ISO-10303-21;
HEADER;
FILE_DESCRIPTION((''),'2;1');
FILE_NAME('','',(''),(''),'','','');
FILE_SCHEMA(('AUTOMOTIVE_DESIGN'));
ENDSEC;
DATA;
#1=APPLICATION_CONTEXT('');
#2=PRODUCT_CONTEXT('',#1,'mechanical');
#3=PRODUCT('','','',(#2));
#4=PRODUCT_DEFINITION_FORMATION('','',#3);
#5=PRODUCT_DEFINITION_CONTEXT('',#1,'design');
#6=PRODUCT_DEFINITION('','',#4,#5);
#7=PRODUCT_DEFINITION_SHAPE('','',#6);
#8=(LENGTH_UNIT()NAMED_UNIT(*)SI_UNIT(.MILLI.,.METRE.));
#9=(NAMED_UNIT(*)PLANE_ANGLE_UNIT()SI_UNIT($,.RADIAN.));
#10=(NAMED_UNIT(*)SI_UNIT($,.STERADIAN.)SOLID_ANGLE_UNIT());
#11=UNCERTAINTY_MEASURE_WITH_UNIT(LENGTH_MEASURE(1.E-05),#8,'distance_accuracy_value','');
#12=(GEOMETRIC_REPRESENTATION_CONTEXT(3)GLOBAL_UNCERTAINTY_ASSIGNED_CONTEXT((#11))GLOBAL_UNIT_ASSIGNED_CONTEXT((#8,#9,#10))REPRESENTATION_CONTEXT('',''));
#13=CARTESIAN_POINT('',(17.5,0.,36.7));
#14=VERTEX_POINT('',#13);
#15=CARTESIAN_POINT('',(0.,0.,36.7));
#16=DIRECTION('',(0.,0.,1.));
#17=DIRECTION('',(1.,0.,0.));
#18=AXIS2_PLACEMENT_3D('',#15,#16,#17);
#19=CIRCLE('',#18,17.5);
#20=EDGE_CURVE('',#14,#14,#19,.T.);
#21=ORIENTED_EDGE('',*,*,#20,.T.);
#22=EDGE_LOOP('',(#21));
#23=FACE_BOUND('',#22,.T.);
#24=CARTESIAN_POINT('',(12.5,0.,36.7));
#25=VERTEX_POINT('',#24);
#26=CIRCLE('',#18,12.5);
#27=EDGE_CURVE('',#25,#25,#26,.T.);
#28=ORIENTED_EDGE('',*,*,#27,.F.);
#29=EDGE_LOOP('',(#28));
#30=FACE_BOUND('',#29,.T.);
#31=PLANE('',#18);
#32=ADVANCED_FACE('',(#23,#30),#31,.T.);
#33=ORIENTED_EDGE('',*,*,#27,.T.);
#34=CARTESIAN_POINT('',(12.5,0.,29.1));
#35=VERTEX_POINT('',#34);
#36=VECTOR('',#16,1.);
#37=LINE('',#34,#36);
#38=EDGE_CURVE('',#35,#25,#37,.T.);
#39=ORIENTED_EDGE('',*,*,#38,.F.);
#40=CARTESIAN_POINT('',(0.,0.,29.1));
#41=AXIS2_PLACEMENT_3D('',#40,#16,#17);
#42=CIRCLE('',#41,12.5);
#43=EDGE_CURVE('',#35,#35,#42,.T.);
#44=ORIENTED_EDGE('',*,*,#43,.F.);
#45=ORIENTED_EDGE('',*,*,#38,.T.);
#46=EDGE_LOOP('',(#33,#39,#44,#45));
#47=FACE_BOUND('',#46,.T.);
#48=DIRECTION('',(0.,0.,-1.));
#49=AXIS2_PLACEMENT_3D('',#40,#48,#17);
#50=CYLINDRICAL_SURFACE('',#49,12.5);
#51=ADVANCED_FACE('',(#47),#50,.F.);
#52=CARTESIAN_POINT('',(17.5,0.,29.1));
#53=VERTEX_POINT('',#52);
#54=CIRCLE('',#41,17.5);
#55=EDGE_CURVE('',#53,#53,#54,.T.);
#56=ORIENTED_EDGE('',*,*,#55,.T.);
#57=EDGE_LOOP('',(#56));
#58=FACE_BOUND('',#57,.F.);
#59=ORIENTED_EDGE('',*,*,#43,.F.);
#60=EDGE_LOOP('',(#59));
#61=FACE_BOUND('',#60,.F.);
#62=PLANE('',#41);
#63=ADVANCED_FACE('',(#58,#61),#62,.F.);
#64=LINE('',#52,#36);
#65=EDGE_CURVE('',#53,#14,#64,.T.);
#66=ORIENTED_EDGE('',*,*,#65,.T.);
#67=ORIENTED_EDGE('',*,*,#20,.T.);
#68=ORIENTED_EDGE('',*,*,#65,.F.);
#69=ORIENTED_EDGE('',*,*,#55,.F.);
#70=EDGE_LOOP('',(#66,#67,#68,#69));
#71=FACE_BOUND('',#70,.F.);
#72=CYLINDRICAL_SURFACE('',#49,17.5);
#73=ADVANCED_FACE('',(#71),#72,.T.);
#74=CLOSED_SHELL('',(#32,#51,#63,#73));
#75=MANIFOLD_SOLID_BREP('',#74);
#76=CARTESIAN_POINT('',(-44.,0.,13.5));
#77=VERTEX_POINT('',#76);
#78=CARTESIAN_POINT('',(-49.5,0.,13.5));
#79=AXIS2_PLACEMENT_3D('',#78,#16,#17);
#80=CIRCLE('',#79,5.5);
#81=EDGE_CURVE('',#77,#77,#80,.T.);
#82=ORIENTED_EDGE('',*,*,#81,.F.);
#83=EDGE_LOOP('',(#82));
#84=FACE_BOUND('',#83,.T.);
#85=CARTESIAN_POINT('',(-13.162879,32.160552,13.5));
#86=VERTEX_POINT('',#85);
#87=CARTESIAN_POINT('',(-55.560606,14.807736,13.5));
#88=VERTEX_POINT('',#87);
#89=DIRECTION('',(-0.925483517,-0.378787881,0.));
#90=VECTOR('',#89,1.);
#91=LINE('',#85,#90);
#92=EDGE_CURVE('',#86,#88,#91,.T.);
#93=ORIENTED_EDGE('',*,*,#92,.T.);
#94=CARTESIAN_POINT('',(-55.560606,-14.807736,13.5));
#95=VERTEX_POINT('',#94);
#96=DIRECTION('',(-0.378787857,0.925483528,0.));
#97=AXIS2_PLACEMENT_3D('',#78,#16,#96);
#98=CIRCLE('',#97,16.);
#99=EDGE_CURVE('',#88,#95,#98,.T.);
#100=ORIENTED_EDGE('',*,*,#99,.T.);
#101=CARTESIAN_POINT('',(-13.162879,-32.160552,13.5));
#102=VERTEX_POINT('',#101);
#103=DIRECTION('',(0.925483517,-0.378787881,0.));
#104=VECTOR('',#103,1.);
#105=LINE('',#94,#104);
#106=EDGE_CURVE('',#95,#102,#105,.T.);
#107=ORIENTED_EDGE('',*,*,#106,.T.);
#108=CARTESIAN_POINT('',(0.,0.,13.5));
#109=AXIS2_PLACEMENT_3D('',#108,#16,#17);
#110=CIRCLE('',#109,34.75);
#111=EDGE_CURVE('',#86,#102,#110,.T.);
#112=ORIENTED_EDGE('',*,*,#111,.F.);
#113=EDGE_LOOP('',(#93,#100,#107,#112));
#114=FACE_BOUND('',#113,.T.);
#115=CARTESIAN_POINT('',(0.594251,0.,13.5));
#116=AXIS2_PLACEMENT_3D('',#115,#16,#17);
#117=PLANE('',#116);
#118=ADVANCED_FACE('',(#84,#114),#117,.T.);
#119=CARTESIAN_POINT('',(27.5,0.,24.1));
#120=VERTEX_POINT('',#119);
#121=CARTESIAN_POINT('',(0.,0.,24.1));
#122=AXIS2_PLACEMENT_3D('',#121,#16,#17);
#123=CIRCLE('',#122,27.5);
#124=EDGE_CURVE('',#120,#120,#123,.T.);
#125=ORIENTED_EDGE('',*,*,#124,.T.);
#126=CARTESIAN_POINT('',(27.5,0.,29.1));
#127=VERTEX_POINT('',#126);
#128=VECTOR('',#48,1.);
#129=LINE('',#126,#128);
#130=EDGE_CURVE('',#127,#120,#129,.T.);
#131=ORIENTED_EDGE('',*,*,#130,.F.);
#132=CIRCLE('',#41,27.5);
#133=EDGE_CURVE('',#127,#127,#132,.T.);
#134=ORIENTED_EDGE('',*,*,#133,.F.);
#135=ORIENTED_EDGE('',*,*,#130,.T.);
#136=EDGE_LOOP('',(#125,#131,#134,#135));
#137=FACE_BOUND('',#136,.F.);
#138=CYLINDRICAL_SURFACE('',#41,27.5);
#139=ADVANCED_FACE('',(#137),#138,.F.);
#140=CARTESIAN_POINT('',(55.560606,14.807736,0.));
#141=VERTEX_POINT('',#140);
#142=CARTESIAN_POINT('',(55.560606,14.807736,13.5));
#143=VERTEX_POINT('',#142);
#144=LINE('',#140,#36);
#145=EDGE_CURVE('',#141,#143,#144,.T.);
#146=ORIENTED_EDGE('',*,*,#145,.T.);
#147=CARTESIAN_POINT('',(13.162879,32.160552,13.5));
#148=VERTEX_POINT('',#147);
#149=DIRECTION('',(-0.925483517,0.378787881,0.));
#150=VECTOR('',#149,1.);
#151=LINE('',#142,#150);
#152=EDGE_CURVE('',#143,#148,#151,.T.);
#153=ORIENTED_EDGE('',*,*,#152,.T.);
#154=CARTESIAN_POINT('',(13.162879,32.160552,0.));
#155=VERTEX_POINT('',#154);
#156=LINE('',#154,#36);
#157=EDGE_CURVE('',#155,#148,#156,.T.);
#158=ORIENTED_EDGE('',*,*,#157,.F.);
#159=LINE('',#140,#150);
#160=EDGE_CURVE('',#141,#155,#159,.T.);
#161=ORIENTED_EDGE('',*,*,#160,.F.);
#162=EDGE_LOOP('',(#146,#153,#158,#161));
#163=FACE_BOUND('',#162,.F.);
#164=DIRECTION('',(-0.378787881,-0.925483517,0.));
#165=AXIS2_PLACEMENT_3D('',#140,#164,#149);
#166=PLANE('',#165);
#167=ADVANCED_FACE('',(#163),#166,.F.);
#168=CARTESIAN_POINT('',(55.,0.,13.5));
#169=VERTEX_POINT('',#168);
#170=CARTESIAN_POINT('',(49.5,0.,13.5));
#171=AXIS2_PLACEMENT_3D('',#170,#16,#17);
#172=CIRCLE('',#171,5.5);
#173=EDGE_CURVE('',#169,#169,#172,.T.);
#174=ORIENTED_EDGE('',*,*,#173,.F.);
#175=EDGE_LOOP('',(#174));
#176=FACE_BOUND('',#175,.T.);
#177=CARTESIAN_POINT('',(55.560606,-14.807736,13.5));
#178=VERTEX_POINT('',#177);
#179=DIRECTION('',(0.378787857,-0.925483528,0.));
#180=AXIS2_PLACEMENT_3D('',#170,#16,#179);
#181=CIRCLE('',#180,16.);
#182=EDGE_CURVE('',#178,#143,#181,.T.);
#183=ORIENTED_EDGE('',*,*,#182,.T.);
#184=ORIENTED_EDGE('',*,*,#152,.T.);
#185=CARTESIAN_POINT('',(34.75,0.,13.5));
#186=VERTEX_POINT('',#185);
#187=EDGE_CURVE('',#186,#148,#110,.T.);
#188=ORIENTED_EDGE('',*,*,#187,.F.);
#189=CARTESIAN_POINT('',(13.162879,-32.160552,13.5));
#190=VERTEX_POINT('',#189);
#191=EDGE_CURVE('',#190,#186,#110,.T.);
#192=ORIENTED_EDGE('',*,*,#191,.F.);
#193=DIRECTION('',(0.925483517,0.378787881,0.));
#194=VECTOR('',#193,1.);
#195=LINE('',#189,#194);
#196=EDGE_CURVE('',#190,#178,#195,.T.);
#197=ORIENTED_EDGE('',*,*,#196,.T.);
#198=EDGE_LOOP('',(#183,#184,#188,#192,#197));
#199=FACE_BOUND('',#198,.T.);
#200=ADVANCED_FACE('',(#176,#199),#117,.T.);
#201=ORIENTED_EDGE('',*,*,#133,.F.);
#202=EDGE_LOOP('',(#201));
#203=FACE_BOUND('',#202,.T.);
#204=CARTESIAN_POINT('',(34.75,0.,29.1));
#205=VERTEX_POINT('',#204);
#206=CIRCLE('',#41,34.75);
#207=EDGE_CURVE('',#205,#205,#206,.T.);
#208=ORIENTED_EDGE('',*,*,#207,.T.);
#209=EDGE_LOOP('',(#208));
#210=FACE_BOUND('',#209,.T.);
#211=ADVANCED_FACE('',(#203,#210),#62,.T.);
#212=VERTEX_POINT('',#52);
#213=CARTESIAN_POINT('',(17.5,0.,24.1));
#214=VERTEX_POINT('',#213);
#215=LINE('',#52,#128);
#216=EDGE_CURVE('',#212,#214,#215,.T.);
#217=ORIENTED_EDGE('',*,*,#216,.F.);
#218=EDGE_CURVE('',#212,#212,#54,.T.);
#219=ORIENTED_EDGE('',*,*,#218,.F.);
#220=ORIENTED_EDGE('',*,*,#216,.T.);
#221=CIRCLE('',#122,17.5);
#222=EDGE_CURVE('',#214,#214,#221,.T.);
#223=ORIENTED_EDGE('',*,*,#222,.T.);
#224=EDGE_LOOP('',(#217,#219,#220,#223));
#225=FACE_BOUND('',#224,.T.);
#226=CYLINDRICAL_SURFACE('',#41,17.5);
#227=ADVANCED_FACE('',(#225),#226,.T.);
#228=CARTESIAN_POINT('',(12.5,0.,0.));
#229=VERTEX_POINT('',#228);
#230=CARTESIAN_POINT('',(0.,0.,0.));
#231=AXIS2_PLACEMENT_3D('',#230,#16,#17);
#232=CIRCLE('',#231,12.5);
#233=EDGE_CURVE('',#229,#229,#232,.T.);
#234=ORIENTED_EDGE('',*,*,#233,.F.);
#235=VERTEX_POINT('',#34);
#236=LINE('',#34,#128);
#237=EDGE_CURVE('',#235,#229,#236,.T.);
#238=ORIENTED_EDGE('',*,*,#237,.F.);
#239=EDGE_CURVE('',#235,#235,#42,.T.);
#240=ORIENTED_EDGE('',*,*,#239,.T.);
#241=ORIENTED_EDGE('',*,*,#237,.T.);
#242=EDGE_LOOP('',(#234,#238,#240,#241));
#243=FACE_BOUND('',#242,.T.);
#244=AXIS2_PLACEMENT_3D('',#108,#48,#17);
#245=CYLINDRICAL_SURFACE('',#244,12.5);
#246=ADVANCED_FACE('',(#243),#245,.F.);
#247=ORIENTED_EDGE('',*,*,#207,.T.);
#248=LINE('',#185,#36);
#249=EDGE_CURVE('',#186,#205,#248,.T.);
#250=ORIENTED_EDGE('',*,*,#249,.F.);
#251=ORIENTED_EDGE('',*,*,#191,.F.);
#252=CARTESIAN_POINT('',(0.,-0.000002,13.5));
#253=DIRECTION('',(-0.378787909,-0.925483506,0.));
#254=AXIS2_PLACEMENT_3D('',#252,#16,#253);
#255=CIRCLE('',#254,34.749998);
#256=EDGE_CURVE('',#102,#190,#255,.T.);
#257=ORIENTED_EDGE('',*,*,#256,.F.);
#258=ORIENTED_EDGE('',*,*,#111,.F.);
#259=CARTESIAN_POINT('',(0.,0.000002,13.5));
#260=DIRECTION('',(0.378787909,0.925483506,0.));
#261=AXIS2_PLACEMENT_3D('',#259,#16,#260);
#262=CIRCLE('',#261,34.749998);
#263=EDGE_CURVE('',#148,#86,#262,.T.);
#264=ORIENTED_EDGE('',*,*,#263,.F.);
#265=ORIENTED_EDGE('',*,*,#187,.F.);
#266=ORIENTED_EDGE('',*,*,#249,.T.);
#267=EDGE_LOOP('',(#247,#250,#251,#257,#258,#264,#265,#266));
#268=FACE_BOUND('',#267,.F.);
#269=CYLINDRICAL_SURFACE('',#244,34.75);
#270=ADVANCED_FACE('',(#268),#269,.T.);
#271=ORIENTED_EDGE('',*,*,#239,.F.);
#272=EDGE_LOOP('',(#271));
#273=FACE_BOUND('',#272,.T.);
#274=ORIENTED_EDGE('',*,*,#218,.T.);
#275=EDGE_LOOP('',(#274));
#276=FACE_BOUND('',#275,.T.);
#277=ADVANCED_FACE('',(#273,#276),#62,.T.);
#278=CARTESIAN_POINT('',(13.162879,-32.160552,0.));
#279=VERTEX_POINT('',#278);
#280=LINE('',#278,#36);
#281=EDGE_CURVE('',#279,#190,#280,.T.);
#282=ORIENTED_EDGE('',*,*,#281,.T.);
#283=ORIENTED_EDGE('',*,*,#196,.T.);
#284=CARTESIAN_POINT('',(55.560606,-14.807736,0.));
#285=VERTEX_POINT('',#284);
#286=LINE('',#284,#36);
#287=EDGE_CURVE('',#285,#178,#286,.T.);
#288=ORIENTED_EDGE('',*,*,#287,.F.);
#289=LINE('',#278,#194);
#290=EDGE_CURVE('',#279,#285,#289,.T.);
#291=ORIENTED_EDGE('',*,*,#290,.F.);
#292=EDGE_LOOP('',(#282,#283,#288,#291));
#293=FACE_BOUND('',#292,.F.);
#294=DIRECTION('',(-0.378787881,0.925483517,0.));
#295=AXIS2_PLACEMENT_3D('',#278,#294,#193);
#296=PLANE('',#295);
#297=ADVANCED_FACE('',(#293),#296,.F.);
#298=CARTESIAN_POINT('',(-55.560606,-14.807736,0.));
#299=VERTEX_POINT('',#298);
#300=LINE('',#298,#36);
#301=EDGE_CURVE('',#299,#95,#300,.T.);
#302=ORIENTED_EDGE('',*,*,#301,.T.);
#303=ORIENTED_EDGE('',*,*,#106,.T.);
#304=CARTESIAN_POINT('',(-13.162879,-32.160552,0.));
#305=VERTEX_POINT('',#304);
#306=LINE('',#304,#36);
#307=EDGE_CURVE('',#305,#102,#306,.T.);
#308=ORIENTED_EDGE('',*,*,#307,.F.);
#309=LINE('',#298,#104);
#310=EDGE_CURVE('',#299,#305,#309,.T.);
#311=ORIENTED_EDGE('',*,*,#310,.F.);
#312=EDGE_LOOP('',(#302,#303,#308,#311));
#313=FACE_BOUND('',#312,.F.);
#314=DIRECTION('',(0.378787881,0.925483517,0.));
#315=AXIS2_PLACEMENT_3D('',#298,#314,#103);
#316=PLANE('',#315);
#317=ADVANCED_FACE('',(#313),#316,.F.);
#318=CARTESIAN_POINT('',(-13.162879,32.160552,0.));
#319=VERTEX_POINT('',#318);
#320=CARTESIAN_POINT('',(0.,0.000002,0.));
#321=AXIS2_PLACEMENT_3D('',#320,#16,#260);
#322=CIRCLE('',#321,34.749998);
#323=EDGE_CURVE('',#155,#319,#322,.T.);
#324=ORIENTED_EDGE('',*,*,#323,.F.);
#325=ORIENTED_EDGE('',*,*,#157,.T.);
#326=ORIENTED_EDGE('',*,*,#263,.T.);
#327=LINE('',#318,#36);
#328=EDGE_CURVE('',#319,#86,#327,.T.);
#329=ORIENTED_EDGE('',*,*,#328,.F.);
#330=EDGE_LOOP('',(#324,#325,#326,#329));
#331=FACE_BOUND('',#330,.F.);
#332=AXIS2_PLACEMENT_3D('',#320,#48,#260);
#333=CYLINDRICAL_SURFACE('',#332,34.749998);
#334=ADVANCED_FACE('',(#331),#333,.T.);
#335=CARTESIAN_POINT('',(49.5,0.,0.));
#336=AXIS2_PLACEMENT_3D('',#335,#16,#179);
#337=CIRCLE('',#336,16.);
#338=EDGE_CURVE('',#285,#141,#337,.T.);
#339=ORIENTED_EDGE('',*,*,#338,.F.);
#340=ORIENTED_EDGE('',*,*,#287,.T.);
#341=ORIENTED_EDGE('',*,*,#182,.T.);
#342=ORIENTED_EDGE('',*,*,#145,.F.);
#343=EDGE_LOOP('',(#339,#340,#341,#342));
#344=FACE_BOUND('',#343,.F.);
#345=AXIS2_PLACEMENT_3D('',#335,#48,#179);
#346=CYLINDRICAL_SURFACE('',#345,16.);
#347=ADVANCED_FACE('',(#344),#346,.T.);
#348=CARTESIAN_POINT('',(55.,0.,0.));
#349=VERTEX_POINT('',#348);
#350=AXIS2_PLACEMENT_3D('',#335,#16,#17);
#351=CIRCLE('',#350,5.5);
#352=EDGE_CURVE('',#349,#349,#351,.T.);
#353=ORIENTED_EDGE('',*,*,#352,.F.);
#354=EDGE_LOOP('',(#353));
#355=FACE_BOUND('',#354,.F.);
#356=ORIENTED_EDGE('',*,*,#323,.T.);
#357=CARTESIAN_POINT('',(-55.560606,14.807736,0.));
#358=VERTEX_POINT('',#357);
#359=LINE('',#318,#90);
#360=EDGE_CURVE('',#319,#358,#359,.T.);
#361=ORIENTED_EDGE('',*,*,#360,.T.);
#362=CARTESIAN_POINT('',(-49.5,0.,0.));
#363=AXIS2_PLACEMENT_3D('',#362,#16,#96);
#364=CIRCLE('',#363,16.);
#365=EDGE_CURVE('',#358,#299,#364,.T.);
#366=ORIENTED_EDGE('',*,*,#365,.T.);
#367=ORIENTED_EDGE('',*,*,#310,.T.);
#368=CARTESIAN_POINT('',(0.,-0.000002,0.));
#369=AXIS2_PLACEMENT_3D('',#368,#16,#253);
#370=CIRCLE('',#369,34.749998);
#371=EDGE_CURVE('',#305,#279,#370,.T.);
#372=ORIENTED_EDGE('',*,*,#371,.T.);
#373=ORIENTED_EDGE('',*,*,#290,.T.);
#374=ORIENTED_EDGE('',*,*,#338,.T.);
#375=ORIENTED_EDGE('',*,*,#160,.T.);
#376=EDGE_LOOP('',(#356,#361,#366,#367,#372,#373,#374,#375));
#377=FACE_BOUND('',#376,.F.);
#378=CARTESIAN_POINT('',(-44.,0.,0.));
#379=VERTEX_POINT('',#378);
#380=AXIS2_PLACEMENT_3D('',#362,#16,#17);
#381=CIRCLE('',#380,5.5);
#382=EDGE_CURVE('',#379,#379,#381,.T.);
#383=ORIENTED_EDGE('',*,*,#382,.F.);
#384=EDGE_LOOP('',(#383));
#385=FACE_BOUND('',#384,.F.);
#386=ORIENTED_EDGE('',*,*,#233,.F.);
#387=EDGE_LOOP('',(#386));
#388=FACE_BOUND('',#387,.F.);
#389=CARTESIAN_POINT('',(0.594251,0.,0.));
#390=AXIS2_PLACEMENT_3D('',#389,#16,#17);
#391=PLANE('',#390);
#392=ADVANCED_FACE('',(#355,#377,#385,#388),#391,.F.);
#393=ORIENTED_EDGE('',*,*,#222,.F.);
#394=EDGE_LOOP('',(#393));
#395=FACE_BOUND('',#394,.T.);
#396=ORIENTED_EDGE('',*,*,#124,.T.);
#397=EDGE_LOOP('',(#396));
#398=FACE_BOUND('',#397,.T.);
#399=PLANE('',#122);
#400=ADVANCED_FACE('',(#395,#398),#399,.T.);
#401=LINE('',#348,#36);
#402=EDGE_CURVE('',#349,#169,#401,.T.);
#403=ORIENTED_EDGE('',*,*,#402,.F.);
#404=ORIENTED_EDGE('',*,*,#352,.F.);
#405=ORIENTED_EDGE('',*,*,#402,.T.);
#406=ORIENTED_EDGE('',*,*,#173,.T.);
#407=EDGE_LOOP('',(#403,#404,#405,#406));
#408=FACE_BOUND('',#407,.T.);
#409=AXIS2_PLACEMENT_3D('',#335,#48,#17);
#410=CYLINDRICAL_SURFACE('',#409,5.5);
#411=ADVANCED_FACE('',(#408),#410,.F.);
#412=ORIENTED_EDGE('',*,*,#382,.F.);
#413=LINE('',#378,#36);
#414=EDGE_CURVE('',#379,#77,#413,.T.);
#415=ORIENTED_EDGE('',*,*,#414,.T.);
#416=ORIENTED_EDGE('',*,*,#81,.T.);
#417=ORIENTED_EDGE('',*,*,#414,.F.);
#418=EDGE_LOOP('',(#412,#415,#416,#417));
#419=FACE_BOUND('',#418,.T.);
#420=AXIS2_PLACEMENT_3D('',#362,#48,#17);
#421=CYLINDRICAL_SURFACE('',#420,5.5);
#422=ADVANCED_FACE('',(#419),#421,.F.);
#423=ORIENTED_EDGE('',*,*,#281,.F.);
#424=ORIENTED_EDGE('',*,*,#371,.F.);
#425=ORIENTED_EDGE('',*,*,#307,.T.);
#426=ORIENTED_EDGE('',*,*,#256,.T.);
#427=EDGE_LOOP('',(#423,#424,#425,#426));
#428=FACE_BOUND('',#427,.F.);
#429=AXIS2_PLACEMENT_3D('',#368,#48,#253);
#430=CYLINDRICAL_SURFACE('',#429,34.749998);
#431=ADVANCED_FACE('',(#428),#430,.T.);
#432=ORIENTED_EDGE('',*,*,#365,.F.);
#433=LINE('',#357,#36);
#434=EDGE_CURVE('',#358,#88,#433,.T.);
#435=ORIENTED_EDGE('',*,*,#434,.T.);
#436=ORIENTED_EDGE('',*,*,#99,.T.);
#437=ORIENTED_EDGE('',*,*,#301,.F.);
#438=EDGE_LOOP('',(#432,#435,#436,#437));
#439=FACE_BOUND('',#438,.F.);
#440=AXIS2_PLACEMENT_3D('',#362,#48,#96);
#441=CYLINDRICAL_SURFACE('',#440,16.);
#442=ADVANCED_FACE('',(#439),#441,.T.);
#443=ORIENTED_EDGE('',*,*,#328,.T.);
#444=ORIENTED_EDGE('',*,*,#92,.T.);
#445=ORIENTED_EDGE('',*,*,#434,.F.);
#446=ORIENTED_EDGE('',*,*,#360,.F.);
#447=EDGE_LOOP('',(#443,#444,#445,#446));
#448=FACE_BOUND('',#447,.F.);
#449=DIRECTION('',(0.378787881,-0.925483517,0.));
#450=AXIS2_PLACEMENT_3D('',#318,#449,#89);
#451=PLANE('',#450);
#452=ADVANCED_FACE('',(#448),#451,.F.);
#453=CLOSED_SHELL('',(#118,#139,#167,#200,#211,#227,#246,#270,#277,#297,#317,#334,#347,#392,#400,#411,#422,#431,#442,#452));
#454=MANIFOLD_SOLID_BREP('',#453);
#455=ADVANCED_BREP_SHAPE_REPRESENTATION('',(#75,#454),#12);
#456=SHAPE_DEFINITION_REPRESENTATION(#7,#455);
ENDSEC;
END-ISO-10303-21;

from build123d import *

# Parameters (mm, degrees)
F0_R     = 12.5
F0_R_2   = 5.5
F1_DEPTH = 13.5
F2_R     = 34.75
F2_R_2   = 12.5
F3_DEPTH = 15.6
F4_R     = 17.5
F4_R_2   = 12.5
F5_DEPTH = 7.6
F6_R     = 27.5
F6_R_2   = 17.5
F7_DEPTH = 5


with BuildPart() as f1:
    # F0 (on Top) → F1 (new body)
    with BuildSketch(Plane.XY):
        with BuildLine():
            ThreePointArc((13.162879, -32.160552), (28.852838, -19.366885), (34.75, 0))
            ThreePointArc((34.75, 0), (28.852838, 19.366885), (13.162879, 32.160552))
            ThreePointArc((13.162879, 32.160552), (0, 34.75), (-13.162879, 32.160552))
            ThreePointArc((-13.162879, 32.160552), (-34.75, 0), (-13.162879, -32.160552))
            ThreePointArc((-13.162879, -32.160552), (0, -34.75), (13.162879, -32.160552))
        make_face()
        Circle(F0_R, mode=Mode.SUBTRACT)
        with BuildLine():
            ThreePointArc((13.162879, 32.160552), (28.852838, 19.366885), (34.75, 0))
            ThreePointArc((34.75, 0), (28.852838, -19.366885), (13.162879, -32.160552))
            Line((13.162879, -32.160552), (55.560606, -14.807736))
            ThreePointArc((55.560606, -14.807736), (65.5, 0), (55.560606, 14.807736))
            Line((55.560606, 14.807736), (13.162879, 32.160552))
        make_face()
        with Locations((49.5, 0)):
            Circle(F0_R_2, mode=Mode.SUBTRACT)
        with BuildLine():
            ThreePointArc((-13.162879, -32.160552), (-34.75, 0), (-13.162879, 32.160552))
            Line((-13.162879, 32.160552), (-55.560606, 14.807736))
            ThreePointArc((-55.560606, 14.807736), (-65.5, 0), (-55.560606, -14.807736))
            Line((-55.560606, -14.807736), (-13.162879, -32.160552))
        make_face()
        with Locations((-49.5, 0)):
            Circle(F0_R_2, mode=Mode.SUBTRACT)
    extrude(amount=F1_DEPTH)

    # F2 (on face) → F3 (join)
    with BuildSketch(Plane.XY.offset(13.5)):
        Circle(F2_R)
        Circle(F2_R_2, mode=Mode.SUBTRACT)
    extrude(amount=F3_DEPTH)

    # F6 (on face) → F7 (cut)
    with BuildSketch(Plane.XY.offset(29.1)):
        Circle(F6_R)
        Circle(F6_R_2, mode=Mode.SUBTRACT)
    extrude(amount=-F7_DEPTH, mode=Mode.SUBTRACT)


with BuildPart() as f5:
    # F4 (on face) → F5 (new body)
    with BuildSketch(Plane.XY.offset(29.1)):
        Circle(F4_R)
        Circle(F4_R_2, mode=Mode.SUBTRACT)
    extrude(amount=F5_DEPTH)


solid = Compound([f1.part, f5.part])
